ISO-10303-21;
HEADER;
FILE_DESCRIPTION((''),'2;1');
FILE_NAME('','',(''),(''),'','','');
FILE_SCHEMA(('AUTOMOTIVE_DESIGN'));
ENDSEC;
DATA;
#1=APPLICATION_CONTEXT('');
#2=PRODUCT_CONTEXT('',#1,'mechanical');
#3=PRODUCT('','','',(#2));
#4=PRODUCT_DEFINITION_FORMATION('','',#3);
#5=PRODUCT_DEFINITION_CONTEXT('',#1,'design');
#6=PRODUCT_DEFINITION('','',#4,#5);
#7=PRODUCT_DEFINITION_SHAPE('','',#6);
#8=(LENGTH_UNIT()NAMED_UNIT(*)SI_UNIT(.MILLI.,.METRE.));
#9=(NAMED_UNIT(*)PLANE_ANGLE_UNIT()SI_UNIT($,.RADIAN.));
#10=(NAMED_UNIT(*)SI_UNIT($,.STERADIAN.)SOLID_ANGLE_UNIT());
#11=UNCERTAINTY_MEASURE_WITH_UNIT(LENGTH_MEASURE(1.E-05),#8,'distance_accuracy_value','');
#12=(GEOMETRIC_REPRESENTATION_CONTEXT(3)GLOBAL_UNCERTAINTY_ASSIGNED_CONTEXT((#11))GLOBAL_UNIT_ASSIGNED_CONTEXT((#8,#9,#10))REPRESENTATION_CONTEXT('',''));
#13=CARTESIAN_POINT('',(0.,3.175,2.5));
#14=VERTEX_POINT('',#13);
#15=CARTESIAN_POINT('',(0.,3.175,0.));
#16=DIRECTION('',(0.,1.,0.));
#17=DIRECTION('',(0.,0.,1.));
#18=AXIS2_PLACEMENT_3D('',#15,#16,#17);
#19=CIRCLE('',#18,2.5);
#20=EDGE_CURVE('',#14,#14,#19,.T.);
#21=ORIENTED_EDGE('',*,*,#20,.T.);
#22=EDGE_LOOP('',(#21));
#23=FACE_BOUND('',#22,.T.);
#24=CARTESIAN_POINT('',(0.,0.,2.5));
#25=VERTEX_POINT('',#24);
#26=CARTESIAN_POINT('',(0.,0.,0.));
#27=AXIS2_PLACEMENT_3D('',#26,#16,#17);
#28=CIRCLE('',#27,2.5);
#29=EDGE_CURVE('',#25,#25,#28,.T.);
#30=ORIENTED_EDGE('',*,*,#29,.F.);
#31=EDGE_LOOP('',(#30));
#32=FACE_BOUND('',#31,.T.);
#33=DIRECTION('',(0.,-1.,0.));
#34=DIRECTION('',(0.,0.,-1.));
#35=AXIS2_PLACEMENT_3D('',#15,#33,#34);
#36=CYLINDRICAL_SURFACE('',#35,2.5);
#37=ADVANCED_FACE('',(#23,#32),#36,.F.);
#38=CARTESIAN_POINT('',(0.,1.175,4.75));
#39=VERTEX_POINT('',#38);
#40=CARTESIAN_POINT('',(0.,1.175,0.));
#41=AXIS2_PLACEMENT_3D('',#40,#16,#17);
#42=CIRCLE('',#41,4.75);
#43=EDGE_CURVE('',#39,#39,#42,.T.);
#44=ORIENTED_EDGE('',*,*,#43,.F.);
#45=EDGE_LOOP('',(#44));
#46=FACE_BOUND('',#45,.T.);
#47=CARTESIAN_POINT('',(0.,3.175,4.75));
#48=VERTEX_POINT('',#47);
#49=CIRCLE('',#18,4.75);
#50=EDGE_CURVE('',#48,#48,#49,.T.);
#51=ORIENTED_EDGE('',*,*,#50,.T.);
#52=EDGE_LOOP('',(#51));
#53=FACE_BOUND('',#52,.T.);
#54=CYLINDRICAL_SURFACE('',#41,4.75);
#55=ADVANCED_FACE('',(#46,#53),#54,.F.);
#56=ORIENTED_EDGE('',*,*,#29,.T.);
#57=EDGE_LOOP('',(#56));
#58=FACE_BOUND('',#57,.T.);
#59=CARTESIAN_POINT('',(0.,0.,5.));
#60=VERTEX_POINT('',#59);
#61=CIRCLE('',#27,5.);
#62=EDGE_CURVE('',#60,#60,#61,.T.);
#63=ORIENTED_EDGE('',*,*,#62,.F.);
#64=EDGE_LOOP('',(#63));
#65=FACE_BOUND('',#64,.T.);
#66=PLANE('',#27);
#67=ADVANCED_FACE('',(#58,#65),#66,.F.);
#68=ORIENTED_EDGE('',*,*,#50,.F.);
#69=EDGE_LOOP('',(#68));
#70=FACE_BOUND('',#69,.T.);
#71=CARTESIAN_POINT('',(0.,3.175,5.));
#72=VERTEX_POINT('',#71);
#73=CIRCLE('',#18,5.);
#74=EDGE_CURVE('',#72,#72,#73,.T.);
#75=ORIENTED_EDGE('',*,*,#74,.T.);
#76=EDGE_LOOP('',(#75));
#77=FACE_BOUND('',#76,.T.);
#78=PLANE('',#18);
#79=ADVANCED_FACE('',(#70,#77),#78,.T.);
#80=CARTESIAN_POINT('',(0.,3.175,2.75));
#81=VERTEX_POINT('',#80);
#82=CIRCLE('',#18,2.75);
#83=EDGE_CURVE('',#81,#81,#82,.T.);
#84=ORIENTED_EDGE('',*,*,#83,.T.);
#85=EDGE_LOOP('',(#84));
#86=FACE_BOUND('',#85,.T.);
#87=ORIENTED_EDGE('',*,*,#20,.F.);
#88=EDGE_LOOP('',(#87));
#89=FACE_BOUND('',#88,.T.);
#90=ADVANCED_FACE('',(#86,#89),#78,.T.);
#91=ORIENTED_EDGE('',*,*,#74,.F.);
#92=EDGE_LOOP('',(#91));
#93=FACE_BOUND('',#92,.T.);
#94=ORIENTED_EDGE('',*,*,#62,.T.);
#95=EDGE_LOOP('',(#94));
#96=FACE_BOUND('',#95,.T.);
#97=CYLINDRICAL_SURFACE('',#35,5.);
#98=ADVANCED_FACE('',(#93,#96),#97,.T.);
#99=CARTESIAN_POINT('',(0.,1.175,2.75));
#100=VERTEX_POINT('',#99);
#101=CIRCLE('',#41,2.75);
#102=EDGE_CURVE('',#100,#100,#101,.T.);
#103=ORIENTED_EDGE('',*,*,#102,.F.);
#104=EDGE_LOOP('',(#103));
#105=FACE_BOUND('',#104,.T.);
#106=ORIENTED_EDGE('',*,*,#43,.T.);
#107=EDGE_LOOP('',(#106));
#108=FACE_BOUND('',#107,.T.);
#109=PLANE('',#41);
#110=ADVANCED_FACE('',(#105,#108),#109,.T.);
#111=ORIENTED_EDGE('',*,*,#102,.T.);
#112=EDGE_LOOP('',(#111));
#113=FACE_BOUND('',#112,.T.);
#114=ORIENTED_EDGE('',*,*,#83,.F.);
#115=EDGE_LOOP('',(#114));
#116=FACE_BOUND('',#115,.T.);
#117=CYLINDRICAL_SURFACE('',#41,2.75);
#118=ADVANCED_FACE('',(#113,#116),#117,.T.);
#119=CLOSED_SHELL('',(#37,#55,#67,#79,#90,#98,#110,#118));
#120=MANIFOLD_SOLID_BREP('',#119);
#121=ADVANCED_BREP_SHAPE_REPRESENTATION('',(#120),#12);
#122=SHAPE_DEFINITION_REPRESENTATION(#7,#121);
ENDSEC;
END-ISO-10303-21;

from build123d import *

# Parameters (mm, degrees)
SKETCH1_R           = 5
SKETCH1_R_2         = 2.5
BOSS_EXTRUDE1_DEPTH = 3.175
SKETCH2_R           = 4.75
SKETCH2_R_2         = 2.75
CUT_EXTRUDE1_DEPTH  = 2


with BuildPart() as part:
    # Sketch1 → Boss-Extrude1 (new body)
    with BuildSketch(Plane(origin=(0, 0, 0), x_dir=(1, 0, 0), z_dir=(0, 1, 0))):
        Circle(SKETCH1_R)
        Circle(SKETCH1_R_2, mode=Mode.SUBTRACT)
    extrude(amount=BOSS_EXTRUDE1_DEPTH)

    # Sketch2 → Cut-Extrude1 (cut)
    with BuildSketch(Plane(origin=(0, 3.175, 0), x_dir=(1, 0, 0), z_dir=(0, 1, 0))):
        Circle(SKETCH2_R)
        Circle(SKETCH2_R_2, mode=Mode.SUBTRACT)
    extrude(amount=-CUT_EXTRUDE1_DEPTH, mode=Mode.SUBTRACT)


solid = part.part
